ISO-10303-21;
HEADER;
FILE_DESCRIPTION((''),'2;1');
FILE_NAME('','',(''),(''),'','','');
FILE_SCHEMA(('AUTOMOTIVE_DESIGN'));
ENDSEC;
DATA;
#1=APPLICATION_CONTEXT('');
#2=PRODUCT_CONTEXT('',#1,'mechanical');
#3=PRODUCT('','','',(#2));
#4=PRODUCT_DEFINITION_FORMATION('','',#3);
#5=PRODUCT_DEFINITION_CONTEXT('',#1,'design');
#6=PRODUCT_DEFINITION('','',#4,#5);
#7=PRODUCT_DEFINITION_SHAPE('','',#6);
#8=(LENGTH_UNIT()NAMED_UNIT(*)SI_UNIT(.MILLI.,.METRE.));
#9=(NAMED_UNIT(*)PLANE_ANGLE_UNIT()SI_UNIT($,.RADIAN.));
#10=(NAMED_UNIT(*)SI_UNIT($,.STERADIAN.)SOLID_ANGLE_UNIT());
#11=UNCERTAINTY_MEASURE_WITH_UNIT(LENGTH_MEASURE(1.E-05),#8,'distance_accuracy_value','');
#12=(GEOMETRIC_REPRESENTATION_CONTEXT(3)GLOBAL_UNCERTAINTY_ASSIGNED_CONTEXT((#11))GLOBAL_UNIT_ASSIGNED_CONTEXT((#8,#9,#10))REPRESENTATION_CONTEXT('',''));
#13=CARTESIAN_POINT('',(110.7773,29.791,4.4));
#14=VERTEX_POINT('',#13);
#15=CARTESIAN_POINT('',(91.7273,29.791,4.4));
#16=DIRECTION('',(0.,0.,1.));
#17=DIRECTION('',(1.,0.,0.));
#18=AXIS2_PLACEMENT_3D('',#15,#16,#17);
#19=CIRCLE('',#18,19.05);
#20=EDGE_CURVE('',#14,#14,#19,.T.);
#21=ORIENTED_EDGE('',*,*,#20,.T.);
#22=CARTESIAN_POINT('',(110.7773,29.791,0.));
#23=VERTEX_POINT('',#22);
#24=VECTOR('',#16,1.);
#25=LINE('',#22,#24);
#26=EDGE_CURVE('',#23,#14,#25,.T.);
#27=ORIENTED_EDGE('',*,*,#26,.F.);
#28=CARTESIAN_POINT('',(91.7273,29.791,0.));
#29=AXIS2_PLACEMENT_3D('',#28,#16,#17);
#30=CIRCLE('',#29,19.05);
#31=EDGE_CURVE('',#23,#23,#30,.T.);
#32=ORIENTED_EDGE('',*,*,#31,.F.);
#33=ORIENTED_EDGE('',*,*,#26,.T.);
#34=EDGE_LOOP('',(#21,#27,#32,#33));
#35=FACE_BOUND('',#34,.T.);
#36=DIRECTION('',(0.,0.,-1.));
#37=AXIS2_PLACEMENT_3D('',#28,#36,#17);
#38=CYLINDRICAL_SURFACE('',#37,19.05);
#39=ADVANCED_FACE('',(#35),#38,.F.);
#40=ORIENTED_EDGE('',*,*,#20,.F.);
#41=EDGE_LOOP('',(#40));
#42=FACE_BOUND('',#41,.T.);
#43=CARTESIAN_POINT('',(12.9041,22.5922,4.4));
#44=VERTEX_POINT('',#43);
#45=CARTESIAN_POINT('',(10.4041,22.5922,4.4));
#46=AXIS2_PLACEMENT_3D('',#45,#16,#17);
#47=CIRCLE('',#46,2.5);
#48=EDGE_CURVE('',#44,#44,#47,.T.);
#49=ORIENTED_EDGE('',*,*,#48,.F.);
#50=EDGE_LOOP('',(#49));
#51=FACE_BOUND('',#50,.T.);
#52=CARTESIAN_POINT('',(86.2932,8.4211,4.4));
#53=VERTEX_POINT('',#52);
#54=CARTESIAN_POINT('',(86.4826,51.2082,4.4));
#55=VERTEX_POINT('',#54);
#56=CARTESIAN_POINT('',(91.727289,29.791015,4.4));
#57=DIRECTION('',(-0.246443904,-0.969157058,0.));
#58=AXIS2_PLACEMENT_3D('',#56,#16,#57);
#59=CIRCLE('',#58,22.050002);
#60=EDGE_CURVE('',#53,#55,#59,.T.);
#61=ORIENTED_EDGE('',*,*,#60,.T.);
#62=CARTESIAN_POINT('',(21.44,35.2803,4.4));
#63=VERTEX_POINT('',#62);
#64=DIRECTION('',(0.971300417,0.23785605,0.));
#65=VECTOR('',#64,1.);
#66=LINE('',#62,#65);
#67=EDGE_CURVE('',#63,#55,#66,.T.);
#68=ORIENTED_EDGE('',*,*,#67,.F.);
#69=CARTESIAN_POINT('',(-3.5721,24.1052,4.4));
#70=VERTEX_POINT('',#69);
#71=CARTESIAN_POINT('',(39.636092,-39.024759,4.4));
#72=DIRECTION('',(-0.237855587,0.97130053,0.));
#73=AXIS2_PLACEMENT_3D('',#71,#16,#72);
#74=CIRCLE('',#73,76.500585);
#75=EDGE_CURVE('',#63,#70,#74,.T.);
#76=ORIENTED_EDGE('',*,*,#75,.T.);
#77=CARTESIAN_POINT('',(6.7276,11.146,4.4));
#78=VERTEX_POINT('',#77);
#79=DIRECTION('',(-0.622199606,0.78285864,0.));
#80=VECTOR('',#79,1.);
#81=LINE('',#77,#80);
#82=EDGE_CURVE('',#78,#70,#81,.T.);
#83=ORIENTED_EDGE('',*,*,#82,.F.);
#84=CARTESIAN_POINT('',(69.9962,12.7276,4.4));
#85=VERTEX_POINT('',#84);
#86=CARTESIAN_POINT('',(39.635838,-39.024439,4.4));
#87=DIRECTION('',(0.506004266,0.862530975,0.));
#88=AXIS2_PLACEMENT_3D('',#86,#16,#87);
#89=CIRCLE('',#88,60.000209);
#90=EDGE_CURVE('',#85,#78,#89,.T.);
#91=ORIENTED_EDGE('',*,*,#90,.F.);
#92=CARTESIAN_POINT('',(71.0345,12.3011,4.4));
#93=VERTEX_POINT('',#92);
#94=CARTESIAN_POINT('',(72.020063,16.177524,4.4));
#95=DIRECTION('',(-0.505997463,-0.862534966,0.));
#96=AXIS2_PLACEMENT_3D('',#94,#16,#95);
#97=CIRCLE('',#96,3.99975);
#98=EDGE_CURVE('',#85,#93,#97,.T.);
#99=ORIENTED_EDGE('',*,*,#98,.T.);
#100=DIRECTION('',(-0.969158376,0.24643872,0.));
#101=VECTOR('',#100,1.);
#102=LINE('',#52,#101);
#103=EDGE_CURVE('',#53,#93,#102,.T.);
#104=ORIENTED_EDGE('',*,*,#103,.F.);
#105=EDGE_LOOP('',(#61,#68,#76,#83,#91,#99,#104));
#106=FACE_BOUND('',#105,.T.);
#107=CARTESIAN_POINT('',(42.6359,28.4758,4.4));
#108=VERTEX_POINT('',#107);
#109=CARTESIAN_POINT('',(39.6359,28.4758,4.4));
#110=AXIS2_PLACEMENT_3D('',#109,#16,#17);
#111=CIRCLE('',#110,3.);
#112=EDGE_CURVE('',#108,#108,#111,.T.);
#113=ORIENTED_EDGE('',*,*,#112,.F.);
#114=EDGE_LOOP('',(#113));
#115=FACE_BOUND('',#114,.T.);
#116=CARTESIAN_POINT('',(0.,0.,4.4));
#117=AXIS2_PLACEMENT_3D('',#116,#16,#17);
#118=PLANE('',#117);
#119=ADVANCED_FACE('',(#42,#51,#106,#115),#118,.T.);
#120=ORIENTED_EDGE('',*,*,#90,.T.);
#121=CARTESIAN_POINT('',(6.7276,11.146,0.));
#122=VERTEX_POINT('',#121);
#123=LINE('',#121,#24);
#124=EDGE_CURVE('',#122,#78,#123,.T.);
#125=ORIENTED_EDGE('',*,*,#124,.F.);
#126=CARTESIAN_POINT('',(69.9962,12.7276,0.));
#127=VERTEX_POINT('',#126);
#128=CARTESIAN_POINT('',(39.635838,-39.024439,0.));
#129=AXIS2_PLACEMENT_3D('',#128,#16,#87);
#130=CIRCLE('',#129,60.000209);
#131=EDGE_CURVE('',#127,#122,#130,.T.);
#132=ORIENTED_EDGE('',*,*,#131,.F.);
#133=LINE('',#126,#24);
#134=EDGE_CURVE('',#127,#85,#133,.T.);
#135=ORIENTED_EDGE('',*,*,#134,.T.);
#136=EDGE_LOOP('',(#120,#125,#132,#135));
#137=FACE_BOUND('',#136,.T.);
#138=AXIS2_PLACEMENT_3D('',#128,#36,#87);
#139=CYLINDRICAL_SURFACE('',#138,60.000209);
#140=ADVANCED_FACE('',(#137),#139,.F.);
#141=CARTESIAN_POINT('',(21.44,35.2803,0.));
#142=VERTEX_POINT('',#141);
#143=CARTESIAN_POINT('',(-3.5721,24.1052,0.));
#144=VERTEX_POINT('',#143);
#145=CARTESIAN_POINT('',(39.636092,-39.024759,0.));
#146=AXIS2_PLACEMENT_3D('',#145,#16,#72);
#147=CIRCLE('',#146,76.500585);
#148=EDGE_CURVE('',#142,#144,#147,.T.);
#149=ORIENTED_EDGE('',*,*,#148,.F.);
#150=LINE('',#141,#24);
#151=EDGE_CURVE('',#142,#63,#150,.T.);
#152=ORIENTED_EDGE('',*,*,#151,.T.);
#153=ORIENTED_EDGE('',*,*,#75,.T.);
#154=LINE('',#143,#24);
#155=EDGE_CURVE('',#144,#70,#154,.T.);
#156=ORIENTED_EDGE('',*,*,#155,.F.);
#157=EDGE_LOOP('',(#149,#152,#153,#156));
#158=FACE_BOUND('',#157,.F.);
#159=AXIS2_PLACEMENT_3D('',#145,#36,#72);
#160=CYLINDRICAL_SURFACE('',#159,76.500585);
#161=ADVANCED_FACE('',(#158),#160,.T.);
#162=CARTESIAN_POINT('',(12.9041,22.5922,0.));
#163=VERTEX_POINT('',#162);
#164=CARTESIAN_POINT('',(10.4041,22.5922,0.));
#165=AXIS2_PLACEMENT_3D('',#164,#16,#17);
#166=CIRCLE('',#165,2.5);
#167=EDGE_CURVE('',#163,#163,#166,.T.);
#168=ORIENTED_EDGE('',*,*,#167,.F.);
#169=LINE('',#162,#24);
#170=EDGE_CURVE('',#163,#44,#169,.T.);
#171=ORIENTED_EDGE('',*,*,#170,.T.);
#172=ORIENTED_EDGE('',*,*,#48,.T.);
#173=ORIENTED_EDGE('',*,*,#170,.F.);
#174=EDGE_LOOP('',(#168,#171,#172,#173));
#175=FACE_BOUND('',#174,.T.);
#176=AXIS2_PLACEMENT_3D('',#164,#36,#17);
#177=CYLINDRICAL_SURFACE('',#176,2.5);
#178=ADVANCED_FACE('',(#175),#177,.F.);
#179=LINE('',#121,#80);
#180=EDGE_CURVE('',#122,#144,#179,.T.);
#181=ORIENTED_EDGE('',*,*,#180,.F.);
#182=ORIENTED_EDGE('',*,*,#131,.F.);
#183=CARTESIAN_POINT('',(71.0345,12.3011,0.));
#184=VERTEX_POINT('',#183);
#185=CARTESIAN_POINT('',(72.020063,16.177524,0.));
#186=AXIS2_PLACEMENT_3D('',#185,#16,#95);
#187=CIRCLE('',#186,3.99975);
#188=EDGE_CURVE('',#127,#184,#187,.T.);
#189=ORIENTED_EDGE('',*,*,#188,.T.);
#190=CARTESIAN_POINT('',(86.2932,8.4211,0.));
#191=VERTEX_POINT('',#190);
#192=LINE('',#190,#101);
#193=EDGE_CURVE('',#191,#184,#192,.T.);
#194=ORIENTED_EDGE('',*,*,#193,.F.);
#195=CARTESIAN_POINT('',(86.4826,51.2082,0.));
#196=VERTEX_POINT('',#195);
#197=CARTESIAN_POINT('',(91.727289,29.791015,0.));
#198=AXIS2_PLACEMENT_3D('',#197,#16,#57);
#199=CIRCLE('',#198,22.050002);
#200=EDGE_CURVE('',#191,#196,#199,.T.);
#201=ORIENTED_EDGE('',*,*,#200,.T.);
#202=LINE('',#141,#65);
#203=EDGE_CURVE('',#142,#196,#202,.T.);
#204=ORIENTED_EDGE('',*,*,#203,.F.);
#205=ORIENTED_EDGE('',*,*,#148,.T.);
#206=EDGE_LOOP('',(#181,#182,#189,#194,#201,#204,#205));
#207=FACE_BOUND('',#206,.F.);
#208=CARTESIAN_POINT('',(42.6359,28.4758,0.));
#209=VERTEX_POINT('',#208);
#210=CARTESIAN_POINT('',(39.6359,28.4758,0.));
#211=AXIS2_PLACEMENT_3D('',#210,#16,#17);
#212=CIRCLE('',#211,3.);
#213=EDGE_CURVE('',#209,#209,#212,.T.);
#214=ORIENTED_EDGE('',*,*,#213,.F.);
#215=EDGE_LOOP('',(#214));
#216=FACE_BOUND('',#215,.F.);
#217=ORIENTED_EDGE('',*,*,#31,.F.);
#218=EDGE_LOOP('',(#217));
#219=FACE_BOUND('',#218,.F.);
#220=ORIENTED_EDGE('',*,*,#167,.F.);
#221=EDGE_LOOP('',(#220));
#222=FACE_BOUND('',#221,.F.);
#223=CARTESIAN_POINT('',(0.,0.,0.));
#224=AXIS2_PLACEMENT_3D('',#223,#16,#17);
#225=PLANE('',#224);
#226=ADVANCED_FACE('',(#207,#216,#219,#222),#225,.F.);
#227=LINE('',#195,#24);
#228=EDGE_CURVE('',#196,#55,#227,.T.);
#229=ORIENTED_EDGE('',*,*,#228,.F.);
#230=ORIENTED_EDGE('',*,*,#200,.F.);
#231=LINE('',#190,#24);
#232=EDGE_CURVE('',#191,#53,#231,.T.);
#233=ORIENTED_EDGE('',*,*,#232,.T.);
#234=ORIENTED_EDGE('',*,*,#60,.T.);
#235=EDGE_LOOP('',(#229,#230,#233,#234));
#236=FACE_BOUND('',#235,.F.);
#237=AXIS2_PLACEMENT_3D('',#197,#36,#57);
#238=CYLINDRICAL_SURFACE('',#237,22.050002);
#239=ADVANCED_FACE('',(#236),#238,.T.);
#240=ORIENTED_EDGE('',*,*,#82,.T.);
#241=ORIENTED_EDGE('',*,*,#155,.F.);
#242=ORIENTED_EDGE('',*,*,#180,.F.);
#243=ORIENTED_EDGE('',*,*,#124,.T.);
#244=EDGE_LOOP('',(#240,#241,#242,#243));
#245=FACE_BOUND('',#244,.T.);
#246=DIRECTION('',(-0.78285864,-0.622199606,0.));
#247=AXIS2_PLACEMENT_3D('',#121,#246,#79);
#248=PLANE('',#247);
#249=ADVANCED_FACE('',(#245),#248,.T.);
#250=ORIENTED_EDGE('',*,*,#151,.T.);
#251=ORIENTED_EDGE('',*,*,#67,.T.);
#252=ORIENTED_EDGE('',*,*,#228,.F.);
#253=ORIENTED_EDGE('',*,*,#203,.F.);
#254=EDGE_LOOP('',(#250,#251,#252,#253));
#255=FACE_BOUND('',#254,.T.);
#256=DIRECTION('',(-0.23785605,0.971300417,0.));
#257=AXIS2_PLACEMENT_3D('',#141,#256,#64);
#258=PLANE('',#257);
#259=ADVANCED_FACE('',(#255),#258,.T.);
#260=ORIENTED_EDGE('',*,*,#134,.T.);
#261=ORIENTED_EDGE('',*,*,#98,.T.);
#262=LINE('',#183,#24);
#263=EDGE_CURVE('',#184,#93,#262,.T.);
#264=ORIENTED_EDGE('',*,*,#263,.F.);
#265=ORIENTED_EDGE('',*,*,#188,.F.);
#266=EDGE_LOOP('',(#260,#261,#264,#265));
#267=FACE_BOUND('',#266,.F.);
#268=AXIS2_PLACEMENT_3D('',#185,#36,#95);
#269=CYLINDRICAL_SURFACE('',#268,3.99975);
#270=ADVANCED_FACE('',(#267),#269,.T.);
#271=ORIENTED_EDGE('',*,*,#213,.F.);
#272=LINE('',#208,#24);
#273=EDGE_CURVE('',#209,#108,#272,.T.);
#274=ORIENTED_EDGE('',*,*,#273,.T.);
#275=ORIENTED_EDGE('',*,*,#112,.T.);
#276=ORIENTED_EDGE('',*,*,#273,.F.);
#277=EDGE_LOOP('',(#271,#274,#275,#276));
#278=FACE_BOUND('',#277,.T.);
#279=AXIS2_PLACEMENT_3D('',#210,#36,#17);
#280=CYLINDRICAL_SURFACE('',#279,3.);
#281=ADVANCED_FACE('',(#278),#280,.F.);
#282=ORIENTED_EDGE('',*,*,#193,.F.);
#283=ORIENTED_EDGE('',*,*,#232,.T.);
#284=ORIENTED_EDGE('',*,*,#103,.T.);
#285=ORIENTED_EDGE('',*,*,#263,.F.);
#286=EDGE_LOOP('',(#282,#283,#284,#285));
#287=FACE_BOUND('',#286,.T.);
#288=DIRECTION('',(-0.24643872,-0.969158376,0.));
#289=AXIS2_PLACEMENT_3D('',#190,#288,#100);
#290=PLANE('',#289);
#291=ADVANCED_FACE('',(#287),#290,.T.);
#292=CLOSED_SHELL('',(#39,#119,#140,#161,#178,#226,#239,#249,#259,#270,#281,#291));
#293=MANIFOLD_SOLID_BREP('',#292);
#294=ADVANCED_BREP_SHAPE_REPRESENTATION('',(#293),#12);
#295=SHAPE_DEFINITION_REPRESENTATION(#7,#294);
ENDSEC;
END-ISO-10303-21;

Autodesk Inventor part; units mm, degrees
ref_plane "YZ Plane" through (0, 0, 0) normal (1, 0, 0) x (0, 1, 0)
ref_plane "XZ Plane" through (0, 0, 0) normal (0, 1, 0) x (-1, 0, 0)
ref_plane "XY Plane" through (0, 0, 0) normal (0, 0, 1) x (1, 0, 0)
ref_plane "Work Plane1" through (0, 0, 0) normal (0, 0, 1) x (1, 0, 0)
sketch "Sketch1" plane through (0, 0, 0) normal (0, 0, 1) x (1, 0, 0)
  circle A0 centre (91.7273, 29.791) radius 19.05 projected
  circle A1 centre (39.6359, 28.4758) radius 3 projected
  arc A2 (69.9962, 12.7276) -> (6.7276, 11.146) centre (39.6359, -39.0242) ccw
  arc A3 (69.9962, 12.7276) -> (71.0345, 12.3011) centre (72.0202, 16.1778) ccw projected
  line L0 (86.2932, 8.4211) -> (71.0345, 12.3011) projected
  arc A4 (86.2932, 8.4211) -> (86.4826, 51.2082) centre (91.7273, 29.791) ccw projected
  line L1 (21.44, 35.2803) -> (86.4826, 51.2082) projected
  arc A5 (21.44, 35.2803) -> (-3.5721, 24.1052) centre (39.6359, -39.0242) ccw
  line L2 (6.7276, 11.146) -> (-3.5721, 24.1052) projected
  circle A6 centre (10.4041, 22.5922) radius 2.5 projected
  point P0 (0, 0)
extrude "Extrusion1" add sketch "Sketch1" along normal blind 4.4
properties part number "FrontMotorPlateB"
